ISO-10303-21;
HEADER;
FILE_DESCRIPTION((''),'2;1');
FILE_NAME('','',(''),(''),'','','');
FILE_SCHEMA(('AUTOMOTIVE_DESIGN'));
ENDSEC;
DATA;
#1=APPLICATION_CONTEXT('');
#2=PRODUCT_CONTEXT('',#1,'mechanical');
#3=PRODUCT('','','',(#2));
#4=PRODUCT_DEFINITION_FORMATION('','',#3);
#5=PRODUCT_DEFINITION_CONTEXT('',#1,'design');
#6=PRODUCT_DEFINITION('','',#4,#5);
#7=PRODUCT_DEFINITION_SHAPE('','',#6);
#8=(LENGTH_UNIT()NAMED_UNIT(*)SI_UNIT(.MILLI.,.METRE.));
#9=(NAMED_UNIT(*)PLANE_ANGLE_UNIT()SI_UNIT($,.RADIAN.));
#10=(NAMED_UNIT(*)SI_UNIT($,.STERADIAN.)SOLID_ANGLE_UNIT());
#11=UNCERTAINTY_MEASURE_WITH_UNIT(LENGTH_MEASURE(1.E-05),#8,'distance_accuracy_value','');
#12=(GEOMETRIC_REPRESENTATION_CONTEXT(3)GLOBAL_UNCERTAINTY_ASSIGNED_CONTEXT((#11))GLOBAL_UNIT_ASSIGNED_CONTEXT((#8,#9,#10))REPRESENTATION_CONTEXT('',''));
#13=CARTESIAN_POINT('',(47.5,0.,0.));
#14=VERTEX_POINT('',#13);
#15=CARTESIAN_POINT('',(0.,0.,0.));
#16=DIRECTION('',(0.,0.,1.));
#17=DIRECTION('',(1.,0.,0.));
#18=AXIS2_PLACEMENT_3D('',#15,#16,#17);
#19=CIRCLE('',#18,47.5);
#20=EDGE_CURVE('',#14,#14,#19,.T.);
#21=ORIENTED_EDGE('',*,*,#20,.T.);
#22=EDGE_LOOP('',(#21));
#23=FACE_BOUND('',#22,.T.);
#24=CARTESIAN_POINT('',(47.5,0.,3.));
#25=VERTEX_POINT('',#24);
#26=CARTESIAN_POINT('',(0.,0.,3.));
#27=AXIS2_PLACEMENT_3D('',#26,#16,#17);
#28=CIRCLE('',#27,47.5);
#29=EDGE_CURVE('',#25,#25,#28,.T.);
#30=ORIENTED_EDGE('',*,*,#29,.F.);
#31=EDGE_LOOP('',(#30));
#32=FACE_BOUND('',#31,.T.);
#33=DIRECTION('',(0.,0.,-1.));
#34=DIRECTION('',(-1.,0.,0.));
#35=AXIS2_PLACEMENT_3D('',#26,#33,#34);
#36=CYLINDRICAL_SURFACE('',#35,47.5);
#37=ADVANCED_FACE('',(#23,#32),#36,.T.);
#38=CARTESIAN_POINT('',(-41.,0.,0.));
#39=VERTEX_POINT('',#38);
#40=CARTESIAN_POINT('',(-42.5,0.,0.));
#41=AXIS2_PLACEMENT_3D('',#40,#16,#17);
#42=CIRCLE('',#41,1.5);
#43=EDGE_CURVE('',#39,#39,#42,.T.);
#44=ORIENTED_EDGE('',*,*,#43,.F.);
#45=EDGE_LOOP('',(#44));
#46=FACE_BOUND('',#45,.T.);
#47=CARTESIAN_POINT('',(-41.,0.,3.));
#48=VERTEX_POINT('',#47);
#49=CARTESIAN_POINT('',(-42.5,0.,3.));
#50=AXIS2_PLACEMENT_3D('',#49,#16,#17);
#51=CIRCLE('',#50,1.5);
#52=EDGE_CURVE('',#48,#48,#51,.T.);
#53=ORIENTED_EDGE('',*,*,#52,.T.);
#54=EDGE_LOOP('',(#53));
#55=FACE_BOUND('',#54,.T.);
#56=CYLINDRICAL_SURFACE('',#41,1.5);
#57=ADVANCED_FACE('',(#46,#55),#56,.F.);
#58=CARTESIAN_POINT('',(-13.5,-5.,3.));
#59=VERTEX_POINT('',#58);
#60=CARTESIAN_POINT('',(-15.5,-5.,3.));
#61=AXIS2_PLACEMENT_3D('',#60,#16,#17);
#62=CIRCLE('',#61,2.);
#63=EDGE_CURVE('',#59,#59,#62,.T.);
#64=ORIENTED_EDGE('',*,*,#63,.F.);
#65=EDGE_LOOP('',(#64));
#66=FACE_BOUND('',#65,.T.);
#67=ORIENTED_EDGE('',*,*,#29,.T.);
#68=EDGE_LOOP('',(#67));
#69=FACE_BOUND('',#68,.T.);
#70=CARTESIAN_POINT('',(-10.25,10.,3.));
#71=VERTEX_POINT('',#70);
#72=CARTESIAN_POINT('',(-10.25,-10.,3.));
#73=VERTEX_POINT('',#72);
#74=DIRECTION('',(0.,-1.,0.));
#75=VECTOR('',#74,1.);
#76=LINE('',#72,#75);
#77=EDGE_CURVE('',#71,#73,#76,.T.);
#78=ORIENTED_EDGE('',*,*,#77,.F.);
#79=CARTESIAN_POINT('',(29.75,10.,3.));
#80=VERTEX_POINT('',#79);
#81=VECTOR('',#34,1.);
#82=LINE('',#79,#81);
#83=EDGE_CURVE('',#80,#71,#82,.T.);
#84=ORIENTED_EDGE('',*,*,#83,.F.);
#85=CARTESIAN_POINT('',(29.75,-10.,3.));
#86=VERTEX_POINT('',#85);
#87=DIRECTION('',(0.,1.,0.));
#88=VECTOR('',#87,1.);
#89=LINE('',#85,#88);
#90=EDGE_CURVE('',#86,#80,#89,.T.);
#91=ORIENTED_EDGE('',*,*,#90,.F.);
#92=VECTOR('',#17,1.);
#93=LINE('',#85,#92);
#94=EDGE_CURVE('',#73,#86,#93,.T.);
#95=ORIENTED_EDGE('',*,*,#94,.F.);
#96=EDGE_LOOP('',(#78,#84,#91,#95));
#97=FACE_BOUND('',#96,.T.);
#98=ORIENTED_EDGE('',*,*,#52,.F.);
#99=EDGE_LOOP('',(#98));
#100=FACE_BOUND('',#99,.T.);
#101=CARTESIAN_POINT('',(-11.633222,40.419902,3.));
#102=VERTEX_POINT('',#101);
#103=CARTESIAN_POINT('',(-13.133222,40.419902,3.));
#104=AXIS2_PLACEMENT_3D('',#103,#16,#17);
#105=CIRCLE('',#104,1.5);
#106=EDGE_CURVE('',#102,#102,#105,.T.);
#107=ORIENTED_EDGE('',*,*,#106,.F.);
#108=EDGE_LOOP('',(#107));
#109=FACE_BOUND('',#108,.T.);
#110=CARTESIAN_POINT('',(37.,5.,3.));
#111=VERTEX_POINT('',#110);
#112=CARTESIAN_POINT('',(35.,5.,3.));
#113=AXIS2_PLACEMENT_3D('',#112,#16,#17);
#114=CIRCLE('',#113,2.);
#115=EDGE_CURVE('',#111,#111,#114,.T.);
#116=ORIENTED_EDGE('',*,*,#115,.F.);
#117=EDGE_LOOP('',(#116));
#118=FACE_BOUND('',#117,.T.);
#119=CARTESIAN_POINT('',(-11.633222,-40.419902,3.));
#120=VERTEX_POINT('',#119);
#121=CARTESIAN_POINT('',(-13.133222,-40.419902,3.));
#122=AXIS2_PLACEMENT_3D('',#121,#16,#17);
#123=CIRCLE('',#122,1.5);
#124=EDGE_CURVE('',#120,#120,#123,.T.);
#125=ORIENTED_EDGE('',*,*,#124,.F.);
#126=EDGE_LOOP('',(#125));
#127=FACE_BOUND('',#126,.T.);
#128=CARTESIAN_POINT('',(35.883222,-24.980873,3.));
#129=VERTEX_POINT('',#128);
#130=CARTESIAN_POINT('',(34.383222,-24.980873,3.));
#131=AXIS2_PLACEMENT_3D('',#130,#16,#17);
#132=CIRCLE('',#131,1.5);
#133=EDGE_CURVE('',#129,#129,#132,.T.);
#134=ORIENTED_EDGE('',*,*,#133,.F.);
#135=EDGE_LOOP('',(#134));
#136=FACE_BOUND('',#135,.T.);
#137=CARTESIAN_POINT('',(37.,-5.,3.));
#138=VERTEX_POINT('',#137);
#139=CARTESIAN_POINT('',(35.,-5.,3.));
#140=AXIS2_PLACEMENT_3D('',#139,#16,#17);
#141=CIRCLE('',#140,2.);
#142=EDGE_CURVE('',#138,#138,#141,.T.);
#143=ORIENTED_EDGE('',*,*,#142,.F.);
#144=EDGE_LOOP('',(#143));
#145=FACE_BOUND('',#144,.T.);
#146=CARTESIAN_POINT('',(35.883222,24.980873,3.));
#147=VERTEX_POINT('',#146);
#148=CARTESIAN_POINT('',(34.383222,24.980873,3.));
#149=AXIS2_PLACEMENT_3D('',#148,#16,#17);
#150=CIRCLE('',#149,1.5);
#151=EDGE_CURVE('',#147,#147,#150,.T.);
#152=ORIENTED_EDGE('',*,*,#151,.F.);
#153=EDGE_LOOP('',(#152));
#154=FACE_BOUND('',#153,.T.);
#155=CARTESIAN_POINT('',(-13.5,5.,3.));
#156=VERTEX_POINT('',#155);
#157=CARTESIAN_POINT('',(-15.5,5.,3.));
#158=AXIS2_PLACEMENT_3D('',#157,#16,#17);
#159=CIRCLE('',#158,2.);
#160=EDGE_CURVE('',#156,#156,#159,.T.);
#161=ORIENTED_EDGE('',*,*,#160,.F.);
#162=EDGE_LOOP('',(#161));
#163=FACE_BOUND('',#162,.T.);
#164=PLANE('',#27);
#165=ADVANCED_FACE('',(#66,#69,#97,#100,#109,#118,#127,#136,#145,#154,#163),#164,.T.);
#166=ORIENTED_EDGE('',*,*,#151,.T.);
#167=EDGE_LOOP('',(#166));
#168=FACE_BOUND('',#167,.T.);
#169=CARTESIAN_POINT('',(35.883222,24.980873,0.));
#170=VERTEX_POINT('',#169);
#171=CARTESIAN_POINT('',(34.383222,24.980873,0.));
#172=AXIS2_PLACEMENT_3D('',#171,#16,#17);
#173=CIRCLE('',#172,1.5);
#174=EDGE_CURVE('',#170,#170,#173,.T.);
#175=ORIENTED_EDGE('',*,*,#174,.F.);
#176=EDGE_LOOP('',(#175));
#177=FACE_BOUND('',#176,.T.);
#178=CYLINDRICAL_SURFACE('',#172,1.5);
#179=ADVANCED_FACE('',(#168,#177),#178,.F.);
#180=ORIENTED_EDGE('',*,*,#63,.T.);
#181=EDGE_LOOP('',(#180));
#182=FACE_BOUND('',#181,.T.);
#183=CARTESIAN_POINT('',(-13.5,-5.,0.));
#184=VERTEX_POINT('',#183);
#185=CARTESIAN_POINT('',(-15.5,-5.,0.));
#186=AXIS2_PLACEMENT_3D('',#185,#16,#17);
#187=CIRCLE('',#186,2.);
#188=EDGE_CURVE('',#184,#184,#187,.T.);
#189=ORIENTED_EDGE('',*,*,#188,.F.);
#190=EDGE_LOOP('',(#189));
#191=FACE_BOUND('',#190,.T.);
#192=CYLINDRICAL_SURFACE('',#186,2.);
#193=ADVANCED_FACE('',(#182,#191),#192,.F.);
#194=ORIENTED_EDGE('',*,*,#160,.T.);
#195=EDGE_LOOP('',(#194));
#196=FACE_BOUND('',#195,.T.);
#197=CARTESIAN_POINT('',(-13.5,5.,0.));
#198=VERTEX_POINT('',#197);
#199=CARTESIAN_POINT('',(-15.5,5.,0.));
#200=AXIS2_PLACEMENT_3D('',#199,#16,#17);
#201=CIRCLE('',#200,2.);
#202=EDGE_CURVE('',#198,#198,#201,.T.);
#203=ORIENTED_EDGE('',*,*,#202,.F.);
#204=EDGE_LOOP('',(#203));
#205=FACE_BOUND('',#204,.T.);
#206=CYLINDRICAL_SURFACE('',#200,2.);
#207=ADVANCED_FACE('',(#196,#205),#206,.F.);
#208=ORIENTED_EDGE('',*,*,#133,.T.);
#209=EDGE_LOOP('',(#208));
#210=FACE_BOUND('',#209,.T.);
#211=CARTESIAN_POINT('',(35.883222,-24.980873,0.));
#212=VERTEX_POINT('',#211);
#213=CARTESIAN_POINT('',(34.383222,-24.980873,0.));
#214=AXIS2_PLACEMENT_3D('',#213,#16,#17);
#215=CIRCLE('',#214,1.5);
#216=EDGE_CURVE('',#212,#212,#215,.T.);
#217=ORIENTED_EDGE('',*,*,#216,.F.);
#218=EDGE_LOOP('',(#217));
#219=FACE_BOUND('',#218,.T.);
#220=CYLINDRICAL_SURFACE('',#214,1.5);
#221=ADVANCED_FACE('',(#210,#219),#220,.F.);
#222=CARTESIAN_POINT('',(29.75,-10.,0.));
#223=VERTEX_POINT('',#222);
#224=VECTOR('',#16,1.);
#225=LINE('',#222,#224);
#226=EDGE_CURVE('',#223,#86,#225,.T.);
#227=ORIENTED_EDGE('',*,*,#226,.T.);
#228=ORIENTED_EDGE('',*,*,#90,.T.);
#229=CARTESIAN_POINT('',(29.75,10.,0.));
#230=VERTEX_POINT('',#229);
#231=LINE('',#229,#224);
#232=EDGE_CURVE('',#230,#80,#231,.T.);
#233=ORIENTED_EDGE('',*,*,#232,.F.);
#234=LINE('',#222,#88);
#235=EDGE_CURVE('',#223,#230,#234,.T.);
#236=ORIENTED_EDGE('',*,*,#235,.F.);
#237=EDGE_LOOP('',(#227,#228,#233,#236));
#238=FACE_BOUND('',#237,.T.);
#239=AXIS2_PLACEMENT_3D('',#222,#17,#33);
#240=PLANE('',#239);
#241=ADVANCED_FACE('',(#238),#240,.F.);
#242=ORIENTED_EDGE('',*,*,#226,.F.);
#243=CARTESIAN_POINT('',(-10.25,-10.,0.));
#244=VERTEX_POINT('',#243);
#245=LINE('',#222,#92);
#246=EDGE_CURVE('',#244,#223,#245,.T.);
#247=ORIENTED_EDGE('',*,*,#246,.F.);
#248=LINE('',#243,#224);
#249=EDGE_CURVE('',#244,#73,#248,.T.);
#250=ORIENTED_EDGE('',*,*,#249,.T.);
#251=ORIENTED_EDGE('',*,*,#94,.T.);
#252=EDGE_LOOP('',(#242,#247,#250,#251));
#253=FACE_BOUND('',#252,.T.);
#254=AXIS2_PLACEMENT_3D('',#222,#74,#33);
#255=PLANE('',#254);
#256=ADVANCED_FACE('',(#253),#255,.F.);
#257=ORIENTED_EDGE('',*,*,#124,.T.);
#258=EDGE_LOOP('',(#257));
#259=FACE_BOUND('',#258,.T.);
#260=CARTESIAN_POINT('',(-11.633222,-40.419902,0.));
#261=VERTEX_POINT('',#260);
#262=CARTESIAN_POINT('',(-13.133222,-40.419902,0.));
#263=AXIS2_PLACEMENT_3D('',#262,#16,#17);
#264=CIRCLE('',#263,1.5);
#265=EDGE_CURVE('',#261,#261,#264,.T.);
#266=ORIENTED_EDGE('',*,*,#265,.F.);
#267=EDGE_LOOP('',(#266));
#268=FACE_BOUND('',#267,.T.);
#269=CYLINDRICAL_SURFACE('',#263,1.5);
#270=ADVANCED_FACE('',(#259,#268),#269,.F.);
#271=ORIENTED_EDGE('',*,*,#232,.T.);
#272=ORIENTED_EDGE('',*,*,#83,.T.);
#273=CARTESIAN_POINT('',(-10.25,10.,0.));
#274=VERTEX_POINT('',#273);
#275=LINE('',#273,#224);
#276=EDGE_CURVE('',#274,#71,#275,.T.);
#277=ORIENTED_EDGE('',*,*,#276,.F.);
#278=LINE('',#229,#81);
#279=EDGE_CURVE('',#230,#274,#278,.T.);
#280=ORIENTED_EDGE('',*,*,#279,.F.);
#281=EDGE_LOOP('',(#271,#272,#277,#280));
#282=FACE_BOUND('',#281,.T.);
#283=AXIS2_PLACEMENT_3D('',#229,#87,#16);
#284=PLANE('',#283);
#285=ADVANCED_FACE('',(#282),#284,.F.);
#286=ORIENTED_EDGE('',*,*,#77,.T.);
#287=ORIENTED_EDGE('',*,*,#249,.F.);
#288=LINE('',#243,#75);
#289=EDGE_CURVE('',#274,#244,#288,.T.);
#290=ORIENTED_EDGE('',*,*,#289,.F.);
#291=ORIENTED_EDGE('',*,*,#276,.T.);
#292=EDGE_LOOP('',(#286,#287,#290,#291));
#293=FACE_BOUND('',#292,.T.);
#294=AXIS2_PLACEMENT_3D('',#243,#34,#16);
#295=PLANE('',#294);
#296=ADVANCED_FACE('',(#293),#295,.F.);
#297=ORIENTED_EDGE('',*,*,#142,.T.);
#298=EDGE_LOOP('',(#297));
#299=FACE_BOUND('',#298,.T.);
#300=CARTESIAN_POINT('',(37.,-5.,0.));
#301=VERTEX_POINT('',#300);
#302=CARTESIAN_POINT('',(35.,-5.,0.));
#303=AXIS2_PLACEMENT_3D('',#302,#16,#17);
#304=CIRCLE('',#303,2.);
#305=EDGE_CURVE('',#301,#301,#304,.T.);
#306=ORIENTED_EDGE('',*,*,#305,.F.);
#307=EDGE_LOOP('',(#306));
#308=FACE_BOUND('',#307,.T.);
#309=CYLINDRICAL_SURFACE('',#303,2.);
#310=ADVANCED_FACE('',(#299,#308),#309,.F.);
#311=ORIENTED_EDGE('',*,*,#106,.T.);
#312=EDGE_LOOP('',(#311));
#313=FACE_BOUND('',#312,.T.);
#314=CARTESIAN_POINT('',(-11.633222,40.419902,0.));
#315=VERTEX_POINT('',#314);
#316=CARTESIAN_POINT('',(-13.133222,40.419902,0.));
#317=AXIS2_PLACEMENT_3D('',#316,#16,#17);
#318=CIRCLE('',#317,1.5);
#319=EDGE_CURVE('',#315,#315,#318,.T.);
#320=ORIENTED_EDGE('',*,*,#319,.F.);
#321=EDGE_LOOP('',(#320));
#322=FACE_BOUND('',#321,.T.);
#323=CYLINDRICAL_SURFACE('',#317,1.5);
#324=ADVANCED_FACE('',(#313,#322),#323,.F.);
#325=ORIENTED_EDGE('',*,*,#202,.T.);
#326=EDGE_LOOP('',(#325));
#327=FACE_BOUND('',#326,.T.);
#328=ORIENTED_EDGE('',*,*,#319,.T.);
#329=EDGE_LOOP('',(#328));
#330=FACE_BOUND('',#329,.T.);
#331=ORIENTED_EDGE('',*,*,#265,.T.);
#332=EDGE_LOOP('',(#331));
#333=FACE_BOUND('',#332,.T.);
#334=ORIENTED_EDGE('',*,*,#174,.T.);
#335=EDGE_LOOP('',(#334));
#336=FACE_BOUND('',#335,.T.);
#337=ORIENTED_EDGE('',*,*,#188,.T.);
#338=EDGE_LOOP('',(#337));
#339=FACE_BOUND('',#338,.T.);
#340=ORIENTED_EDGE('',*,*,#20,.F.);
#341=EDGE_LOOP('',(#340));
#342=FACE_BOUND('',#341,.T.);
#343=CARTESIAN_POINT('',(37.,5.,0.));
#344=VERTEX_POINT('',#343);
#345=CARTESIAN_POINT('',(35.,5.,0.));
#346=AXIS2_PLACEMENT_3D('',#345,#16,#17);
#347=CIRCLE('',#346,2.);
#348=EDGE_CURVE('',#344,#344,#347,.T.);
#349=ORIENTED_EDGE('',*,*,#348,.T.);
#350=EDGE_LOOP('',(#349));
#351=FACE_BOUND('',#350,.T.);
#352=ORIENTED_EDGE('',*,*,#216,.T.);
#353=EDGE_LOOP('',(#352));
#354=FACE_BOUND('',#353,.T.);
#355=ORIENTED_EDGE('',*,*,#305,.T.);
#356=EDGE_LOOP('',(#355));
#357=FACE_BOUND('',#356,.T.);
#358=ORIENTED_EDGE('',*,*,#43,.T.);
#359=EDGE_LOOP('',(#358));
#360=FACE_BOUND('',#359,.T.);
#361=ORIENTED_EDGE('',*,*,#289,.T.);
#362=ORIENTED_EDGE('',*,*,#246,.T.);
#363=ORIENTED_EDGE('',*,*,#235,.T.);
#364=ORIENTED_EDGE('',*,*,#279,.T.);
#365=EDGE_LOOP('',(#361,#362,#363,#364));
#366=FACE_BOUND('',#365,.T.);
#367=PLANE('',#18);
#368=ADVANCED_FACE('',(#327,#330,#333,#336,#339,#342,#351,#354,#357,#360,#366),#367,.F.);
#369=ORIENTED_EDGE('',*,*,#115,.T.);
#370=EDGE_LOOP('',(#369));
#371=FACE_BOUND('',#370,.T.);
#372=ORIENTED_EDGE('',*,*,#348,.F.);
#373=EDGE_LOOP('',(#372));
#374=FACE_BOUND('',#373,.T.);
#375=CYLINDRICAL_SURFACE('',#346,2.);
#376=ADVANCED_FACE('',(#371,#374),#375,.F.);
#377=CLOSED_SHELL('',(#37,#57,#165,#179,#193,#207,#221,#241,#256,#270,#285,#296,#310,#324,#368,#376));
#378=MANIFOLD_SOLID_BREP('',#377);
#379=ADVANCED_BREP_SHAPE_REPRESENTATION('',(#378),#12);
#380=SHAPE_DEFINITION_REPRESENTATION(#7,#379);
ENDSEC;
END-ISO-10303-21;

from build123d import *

# Parameters (mm, degrees)
CROQUIS1_R              = 47.5
SALIENTE_EXTRUIR1_DEPTH = 3
CROQUIS3_R              = 2
CROQUIS3_W              = 40
CROQUIS3_H              = 20
CORTAR_EXTRUIR1_DEPTH   = 4
CROQUIS4_R              = 1.5
CORTAR_EXTRUIR2_DEPTH   = 4


with BuildPart() as part:
    # Croquis1 → Saliente-Extruir1 (new body)
    with BuildSketch(Plane.XY):
        Circle(CROQUIS1_R)
    extrude(amount=SALIENTE_EXTRUIR1_DEPTH)

    # Croquis3 → Cortar-Extruir1 (cut, through all)
    with BuildSketch(Plane.XY.offset(3)):
        with Locations((35, -5)):
            Circle(CROQUIS3_R)
        with Locations((35, 5)):
            Circle(CROQUIS3_R)
        with Locations((-15.5, -5)):
            Circle(CROQUIS3_R)
        with Locations((-15.5, 5)):
            Circle(CROQUIS3_R)
        with Locations((9.75, 0)):
            Rectangle(CROQUIS3_W, CROQUIS3_H)
    extrude(amount=-CORTAR_EXTRUIR1_DEPTH, mode=Mode.SUBTRACT)

    # Croquis4 → Cortar-Extruir2 (cut, through all)
    with BuildSketch(Plane.XY.offset(3)):
        with Locations((-42.5, 0)):
            Circle(CROQUIS4_R)
        with Locations((-13.133222261, 40.419901943)):
            Circle(CROQUIS4_R)
        with Locations((34.383222261, 24.980873222)):
            Circle(CROQUIS4_R)
        with Locations((34.383222261, -24.980873222)):
            Circle(CROQUIS4_R)
        with Locations((-13.133222261, -40.419901943)):
            Circle(CROQUIS4_R)
    extrude(amount=-CORTAR_EXTRUIR2_DEPTH, mode=Mode.SUBTRACT)


solid = part.part
